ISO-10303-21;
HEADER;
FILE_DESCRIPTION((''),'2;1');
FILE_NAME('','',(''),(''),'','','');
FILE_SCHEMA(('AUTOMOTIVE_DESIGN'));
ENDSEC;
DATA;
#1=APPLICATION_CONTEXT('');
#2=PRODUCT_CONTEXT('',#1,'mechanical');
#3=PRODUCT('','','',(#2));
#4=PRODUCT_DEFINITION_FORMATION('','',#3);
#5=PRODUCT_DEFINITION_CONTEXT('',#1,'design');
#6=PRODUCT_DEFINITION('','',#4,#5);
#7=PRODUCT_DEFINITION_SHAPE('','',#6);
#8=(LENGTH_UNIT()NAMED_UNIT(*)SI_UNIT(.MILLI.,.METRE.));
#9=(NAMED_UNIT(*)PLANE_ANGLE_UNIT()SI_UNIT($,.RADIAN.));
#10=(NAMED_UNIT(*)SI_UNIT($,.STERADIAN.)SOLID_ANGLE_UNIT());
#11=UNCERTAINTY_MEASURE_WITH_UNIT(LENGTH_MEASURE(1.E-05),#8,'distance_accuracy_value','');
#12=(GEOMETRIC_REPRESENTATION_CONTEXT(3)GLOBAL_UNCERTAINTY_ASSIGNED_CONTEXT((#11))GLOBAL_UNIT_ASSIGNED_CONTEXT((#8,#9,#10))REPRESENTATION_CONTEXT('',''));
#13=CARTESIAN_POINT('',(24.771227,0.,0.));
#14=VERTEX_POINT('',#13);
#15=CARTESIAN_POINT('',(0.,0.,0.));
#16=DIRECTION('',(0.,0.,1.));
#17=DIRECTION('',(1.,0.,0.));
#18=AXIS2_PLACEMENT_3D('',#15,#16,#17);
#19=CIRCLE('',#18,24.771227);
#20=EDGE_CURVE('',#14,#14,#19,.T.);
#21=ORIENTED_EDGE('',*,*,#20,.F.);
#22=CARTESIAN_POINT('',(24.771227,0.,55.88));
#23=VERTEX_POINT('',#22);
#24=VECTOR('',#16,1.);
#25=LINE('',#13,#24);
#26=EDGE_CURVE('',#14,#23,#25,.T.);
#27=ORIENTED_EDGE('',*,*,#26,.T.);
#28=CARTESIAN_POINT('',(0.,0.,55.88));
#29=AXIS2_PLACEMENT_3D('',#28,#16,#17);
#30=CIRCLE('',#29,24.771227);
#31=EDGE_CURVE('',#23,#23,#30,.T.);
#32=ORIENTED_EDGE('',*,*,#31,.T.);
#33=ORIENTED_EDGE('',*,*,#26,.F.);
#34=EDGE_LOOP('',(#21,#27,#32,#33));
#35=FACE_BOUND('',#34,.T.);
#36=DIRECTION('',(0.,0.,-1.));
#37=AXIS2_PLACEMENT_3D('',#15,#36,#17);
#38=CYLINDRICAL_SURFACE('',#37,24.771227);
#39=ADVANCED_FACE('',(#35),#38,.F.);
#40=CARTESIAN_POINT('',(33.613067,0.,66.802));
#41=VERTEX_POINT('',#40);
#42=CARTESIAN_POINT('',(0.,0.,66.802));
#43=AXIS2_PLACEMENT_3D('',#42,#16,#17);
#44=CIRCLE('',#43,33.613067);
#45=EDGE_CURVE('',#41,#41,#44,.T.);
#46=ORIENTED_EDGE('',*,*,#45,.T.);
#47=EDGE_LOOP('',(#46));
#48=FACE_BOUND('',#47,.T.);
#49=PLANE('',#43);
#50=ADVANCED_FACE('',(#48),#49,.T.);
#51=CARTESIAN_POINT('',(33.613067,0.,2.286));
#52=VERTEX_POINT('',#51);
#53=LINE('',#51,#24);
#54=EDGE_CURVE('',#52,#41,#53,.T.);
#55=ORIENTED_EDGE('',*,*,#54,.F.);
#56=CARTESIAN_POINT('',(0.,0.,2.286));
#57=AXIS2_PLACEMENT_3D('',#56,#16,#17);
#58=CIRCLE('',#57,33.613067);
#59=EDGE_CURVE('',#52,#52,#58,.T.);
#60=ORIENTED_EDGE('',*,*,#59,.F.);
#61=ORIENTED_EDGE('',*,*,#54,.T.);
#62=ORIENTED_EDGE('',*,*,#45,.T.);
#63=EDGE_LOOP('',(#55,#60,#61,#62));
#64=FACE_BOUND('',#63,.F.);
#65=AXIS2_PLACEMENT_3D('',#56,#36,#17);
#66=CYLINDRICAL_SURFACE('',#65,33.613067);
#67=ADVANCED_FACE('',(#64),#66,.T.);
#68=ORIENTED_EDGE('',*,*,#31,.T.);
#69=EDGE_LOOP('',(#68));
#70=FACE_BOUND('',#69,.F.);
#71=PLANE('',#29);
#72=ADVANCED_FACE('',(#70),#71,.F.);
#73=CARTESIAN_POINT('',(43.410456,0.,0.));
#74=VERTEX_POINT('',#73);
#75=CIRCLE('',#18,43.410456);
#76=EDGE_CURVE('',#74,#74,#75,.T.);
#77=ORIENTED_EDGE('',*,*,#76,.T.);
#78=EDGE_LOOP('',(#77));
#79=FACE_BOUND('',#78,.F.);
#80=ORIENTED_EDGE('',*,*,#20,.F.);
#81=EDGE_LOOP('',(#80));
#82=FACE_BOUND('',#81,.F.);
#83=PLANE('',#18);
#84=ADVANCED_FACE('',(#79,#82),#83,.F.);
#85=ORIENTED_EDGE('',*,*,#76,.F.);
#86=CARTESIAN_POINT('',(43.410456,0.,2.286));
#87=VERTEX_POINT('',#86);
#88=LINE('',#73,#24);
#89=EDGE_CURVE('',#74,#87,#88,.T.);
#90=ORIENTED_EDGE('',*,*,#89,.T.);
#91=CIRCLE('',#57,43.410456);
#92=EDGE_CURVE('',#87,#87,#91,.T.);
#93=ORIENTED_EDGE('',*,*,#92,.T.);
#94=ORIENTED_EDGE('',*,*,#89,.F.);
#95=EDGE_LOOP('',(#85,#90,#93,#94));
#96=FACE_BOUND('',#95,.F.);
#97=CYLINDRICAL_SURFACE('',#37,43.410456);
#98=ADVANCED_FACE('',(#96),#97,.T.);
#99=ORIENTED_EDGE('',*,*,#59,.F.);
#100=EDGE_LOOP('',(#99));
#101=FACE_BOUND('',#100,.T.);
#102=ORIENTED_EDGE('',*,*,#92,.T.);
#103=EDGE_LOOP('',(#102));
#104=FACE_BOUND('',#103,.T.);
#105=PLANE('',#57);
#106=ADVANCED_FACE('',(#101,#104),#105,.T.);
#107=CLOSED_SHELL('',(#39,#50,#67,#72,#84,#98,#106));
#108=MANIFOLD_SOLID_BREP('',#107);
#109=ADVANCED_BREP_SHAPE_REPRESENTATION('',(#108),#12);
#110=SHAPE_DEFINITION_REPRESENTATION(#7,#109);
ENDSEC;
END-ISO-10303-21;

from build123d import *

# Parameters (mm, degrees)
F0_R     = 43.410456
F1_DEPTH = 2.286
F2_R     = 33.613067
F3_DEPTH = 64.516
F4_R     = 24.771227
F5_DEPTH = 55.88


with BuildPart() as f1:
    # F0 (on Top) → F1 (new body)
    with BuildSketch(Plane.XY):
        Circle(F0_R)
    extrude(amount=F1_DEPTH)

    # F2 (on face) → F3 (join)
    with BuildSketch(Plane.XY.offset(2.286)):
        Circle(F2_R)
    extrude(amount=F3_DEPTH)

    # F4 (on Top) → F5 (cut)
    with BuildSketch(Plane.XY):
        Circle(F4_R)
    extrude(amount=F5_DEPTH, mode=Mode.SUBTRACT)


solid = f1.part
